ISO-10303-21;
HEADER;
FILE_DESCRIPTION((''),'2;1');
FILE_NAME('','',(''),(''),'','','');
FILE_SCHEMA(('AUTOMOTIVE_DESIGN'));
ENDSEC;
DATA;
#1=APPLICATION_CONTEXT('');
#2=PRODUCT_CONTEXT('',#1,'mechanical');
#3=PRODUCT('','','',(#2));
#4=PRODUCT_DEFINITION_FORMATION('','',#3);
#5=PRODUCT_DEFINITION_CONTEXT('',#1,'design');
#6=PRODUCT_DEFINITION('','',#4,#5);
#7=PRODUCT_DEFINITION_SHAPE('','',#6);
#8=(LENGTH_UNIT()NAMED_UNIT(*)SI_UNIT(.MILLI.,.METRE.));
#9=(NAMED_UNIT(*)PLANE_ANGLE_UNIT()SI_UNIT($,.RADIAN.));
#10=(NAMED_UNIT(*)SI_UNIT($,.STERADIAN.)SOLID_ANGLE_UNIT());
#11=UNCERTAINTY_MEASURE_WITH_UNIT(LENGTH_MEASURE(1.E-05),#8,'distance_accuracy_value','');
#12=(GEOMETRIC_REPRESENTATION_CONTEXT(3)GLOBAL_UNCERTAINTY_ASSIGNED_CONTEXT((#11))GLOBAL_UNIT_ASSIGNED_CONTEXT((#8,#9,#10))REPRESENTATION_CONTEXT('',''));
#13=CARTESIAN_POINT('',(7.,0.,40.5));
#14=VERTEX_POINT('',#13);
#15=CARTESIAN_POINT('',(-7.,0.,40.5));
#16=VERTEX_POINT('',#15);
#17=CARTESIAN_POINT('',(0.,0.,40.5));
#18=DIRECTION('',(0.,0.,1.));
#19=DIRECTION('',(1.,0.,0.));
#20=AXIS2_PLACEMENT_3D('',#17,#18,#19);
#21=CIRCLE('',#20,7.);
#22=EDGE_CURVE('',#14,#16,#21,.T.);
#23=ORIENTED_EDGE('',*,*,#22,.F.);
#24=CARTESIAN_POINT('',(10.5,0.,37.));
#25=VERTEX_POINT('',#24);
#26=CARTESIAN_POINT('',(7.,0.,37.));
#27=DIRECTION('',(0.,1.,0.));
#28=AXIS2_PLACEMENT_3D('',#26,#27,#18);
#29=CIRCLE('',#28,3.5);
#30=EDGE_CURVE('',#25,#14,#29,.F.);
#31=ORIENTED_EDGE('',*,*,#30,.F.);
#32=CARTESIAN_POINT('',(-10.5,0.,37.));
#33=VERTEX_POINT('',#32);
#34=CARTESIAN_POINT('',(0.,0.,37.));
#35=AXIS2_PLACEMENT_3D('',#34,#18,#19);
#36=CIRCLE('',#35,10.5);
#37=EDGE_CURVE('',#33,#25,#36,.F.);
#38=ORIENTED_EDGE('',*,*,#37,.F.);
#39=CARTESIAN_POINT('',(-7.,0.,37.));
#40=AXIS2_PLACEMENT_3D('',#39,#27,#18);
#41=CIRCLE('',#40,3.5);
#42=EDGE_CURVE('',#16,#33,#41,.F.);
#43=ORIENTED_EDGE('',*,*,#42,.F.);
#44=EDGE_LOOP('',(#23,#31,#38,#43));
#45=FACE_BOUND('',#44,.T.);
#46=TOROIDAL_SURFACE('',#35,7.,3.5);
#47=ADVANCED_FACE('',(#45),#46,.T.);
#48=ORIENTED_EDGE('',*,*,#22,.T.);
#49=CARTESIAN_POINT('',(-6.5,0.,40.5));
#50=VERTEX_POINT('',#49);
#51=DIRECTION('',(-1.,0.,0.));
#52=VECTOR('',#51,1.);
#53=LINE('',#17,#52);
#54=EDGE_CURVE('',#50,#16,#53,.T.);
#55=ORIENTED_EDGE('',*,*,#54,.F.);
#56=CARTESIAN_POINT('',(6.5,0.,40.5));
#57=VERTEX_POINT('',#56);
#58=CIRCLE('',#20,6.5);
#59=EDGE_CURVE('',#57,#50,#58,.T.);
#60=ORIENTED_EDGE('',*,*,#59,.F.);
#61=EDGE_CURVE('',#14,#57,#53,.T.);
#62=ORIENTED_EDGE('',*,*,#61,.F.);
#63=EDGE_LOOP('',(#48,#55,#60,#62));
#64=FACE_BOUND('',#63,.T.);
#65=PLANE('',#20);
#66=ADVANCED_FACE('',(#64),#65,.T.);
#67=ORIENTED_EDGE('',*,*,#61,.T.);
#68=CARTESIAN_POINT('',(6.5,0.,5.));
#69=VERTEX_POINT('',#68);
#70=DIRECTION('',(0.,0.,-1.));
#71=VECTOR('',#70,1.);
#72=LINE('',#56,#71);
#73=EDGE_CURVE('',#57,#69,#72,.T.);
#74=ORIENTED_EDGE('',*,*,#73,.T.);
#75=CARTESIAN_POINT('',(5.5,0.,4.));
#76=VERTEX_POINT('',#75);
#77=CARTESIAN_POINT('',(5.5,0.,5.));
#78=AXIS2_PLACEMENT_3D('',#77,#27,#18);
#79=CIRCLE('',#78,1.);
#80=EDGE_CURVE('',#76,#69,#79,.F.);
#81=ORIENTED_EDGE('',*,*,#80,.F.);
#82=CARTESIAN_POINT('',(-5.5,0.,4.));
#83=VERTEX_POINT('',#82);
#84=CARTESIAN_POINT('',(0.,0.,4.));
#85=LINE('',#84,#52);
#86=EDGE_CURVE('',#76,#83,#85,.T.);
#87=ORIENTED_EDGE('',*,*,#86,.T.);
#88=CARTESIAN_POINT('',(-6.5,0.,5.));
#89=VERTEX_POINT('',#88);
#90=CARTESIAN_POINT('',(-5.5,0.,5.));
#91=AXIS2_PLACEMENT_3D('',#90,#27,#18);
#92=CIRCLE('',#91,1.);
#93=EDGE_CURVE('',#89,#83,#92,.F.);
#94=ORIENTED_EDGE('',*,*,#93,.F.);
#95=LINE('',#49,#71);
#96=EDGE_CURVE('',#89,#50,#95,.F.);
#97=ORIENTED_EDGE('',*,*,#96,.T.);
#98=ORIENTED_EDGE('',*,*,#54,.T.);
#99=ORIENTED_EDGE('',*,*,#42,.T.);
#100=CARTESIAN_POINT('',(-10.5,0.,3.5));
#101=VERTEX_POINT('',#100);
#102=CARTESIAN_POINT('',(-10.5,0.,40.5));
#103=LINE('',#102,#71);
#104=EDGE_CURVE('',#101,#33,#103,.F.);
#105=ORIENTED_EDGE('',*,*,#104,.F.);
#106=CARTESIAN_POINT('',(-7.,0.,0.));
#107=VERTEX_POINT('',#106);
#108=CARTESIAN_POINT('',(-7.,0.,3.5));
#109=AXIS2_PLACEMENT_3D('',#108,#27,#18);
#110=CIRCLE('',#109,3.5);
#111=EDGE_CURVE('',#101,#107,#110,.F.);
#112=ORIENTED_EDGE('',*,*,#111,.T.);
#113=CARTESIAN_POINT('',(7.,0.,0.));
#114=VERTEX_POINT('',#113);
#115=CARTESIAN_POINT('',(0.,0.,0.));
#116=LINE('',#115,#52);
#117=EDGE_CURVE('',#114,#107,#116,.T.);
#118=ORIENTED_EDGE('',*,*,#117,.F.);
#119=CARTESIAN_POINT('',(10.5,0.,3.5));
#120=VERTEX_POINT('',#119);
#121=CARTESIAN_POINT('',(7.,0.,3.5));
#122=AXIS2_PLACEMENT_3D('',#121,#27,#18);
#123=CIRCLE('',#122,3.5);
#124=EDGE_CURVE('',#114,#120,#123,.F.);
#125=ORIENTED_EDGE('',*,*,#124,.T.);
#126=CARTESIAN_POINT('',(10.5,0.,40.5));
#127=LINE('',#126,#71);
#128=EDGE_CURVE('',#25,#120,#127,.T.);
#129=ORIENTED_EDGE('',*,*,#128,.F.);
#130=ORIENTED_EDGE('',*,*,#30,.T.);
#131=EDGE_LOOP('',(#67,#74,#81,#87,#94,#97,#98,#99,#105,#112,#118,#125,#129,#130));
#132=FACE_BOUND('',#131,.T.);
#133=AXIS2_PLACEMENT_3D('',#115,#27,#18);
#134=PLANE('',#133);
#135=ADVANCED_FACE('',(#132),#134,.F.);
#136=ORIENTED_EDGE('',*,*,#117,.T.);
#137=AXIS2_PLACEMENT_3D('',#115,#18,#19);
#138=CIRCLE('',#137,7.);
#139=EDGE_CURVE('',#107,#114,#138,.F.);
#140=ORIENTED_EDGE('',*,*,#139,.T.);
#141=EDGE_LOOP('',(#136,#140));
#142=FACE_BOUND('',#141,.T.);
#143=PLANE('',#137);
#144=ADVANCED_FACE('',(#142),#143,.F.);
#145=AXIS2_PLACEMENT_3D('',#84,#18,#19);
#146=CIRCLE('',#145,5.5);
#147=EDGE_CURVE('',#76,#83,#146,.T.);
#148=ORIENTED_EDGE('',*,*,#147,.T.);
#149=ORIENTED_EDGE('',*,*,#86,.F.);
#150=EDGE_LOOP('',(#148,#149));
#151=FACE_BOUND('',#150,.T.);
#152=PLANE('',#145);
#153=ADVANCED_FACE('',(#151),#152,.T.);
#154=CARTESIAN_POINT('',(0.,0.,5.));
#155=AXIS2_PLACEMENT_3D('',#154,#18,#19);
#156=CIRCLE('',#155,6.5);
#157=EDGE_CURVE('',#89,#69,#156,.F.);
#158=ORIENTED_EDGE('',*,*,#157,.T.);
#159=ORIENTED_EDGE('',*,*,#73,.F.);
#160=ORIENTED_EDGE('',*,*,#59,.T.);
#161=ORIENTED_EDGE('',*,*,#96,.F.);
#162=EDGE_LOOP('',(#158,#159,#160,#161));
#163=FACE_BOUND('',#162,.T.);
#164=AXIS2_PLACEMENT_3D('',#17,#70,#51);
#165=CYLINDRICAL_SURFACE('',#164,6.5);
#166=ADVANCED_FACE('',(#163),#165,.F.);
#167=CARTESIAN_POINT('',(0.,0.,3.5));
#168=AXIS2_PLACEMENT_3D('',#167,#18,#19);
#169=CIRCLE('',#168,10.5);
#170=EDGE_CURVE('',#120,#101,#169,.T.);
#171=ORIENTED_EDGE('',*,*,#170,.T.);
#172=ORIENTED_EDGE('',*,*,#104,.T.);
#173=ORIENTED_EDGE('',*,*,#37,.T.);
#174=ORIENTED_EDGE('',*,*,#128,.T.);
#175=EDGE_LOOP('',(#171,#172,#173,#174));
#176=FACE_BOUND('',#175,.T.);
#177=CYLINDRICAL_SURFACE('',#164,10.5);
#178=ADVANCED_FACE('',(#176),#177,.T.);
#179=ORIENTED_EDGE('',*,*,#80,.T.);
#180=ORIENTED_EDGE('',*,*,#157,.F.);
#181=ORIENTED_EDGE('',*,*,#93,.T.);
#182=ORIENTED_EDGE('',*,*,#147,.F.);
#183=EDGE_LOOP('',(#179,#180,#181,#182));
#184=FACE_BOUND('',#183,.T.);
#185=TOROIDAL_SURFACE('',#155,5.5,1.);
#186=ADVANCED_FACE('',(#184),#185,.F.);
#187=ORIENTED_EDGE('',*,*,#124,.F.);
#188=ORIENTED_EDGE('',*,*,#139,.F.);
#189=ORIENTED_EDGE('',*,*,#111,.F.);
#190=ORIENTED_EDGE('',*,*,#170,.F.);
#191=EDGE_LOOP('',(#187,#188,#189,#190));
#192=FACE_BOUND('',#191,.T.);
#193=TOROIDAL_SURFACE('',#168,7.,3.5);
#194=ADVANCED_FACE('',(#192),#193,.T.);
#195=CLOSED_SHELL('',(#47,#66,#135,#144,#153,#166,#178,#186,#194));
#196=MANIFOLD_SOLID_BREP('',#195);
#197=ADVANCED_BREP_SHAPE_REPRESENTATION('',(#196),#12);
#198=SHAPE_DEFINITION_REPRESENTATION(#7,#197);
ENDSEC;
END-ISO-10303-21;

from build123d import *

# Parameters (mm, degrees)
SKETCH1_R           = 10.5
BOSS_EXTRUDE1_DEPTH = 40.5
SHELL1_T            = -4
FILLET1_R           = 3.5
FILLET2_R           = 3.5
FILLET3_R           = 1
SKETCH2_W           = 37.590072207
SKETCH2_H           = 54.748834579
CUT_EXTRUDE1_DEPTH  = 40.5


with BuildPart() as part:
    # Sketch1 → Boss-Extrude1 (new body)
    with BuildSketch(Plane.XY):
        Circle(SKETCH1_R)
    extrude(amount=BOSS_EXTRUDE1_DEPTH)

    # Shell1
    shell1_openings = [part.faces().sort_by_distance(p)[0] for p in [
        (0, 0, 40.5),
    ]]
    offset(amount=SHELL1_T, openings=shell1_openings, kind=Kind.INTERSECTION)

    # Fillet1
    fillet1_edges = [part.edges().sort_by_distance(p)[0] for p in [
        (-10.5, 0, 40.5),
    ]]
    fillet(fillet1_edges, radius=FILLET1_R)

    # Fillet2
    fillet2_edges = [part.edges().sort_by_distance(p)[0] for p in [
        (-10.5, 0, 0),
    ]]
    fillet(fillet2_edges, radius=FILLET2_R)

    # Fillet3
    fillet3_edges = [part.edges().sort_by_distance(p)[0] for p in [
        (-6.5, 0, 4),
    ]]
    fillet(fillet3_edges, radius=FILLET3_R)

    # Sketch2 → Cut-Extrude1 (cut)
    with BuildSketch(Plane(origin=(0, 0, 0), x_dir=(1, 0, 0), z_dir=(0, 1, 0))):
        with Locations((0.840248673, -18.259937353)):
            Rectangle(SKETCH2_W, SKETCH2_H)
    extrude(amount=-CUT_EXTRUDE1_DEPTH, mode=Mode.SUBTRACT)


solid = part.part
